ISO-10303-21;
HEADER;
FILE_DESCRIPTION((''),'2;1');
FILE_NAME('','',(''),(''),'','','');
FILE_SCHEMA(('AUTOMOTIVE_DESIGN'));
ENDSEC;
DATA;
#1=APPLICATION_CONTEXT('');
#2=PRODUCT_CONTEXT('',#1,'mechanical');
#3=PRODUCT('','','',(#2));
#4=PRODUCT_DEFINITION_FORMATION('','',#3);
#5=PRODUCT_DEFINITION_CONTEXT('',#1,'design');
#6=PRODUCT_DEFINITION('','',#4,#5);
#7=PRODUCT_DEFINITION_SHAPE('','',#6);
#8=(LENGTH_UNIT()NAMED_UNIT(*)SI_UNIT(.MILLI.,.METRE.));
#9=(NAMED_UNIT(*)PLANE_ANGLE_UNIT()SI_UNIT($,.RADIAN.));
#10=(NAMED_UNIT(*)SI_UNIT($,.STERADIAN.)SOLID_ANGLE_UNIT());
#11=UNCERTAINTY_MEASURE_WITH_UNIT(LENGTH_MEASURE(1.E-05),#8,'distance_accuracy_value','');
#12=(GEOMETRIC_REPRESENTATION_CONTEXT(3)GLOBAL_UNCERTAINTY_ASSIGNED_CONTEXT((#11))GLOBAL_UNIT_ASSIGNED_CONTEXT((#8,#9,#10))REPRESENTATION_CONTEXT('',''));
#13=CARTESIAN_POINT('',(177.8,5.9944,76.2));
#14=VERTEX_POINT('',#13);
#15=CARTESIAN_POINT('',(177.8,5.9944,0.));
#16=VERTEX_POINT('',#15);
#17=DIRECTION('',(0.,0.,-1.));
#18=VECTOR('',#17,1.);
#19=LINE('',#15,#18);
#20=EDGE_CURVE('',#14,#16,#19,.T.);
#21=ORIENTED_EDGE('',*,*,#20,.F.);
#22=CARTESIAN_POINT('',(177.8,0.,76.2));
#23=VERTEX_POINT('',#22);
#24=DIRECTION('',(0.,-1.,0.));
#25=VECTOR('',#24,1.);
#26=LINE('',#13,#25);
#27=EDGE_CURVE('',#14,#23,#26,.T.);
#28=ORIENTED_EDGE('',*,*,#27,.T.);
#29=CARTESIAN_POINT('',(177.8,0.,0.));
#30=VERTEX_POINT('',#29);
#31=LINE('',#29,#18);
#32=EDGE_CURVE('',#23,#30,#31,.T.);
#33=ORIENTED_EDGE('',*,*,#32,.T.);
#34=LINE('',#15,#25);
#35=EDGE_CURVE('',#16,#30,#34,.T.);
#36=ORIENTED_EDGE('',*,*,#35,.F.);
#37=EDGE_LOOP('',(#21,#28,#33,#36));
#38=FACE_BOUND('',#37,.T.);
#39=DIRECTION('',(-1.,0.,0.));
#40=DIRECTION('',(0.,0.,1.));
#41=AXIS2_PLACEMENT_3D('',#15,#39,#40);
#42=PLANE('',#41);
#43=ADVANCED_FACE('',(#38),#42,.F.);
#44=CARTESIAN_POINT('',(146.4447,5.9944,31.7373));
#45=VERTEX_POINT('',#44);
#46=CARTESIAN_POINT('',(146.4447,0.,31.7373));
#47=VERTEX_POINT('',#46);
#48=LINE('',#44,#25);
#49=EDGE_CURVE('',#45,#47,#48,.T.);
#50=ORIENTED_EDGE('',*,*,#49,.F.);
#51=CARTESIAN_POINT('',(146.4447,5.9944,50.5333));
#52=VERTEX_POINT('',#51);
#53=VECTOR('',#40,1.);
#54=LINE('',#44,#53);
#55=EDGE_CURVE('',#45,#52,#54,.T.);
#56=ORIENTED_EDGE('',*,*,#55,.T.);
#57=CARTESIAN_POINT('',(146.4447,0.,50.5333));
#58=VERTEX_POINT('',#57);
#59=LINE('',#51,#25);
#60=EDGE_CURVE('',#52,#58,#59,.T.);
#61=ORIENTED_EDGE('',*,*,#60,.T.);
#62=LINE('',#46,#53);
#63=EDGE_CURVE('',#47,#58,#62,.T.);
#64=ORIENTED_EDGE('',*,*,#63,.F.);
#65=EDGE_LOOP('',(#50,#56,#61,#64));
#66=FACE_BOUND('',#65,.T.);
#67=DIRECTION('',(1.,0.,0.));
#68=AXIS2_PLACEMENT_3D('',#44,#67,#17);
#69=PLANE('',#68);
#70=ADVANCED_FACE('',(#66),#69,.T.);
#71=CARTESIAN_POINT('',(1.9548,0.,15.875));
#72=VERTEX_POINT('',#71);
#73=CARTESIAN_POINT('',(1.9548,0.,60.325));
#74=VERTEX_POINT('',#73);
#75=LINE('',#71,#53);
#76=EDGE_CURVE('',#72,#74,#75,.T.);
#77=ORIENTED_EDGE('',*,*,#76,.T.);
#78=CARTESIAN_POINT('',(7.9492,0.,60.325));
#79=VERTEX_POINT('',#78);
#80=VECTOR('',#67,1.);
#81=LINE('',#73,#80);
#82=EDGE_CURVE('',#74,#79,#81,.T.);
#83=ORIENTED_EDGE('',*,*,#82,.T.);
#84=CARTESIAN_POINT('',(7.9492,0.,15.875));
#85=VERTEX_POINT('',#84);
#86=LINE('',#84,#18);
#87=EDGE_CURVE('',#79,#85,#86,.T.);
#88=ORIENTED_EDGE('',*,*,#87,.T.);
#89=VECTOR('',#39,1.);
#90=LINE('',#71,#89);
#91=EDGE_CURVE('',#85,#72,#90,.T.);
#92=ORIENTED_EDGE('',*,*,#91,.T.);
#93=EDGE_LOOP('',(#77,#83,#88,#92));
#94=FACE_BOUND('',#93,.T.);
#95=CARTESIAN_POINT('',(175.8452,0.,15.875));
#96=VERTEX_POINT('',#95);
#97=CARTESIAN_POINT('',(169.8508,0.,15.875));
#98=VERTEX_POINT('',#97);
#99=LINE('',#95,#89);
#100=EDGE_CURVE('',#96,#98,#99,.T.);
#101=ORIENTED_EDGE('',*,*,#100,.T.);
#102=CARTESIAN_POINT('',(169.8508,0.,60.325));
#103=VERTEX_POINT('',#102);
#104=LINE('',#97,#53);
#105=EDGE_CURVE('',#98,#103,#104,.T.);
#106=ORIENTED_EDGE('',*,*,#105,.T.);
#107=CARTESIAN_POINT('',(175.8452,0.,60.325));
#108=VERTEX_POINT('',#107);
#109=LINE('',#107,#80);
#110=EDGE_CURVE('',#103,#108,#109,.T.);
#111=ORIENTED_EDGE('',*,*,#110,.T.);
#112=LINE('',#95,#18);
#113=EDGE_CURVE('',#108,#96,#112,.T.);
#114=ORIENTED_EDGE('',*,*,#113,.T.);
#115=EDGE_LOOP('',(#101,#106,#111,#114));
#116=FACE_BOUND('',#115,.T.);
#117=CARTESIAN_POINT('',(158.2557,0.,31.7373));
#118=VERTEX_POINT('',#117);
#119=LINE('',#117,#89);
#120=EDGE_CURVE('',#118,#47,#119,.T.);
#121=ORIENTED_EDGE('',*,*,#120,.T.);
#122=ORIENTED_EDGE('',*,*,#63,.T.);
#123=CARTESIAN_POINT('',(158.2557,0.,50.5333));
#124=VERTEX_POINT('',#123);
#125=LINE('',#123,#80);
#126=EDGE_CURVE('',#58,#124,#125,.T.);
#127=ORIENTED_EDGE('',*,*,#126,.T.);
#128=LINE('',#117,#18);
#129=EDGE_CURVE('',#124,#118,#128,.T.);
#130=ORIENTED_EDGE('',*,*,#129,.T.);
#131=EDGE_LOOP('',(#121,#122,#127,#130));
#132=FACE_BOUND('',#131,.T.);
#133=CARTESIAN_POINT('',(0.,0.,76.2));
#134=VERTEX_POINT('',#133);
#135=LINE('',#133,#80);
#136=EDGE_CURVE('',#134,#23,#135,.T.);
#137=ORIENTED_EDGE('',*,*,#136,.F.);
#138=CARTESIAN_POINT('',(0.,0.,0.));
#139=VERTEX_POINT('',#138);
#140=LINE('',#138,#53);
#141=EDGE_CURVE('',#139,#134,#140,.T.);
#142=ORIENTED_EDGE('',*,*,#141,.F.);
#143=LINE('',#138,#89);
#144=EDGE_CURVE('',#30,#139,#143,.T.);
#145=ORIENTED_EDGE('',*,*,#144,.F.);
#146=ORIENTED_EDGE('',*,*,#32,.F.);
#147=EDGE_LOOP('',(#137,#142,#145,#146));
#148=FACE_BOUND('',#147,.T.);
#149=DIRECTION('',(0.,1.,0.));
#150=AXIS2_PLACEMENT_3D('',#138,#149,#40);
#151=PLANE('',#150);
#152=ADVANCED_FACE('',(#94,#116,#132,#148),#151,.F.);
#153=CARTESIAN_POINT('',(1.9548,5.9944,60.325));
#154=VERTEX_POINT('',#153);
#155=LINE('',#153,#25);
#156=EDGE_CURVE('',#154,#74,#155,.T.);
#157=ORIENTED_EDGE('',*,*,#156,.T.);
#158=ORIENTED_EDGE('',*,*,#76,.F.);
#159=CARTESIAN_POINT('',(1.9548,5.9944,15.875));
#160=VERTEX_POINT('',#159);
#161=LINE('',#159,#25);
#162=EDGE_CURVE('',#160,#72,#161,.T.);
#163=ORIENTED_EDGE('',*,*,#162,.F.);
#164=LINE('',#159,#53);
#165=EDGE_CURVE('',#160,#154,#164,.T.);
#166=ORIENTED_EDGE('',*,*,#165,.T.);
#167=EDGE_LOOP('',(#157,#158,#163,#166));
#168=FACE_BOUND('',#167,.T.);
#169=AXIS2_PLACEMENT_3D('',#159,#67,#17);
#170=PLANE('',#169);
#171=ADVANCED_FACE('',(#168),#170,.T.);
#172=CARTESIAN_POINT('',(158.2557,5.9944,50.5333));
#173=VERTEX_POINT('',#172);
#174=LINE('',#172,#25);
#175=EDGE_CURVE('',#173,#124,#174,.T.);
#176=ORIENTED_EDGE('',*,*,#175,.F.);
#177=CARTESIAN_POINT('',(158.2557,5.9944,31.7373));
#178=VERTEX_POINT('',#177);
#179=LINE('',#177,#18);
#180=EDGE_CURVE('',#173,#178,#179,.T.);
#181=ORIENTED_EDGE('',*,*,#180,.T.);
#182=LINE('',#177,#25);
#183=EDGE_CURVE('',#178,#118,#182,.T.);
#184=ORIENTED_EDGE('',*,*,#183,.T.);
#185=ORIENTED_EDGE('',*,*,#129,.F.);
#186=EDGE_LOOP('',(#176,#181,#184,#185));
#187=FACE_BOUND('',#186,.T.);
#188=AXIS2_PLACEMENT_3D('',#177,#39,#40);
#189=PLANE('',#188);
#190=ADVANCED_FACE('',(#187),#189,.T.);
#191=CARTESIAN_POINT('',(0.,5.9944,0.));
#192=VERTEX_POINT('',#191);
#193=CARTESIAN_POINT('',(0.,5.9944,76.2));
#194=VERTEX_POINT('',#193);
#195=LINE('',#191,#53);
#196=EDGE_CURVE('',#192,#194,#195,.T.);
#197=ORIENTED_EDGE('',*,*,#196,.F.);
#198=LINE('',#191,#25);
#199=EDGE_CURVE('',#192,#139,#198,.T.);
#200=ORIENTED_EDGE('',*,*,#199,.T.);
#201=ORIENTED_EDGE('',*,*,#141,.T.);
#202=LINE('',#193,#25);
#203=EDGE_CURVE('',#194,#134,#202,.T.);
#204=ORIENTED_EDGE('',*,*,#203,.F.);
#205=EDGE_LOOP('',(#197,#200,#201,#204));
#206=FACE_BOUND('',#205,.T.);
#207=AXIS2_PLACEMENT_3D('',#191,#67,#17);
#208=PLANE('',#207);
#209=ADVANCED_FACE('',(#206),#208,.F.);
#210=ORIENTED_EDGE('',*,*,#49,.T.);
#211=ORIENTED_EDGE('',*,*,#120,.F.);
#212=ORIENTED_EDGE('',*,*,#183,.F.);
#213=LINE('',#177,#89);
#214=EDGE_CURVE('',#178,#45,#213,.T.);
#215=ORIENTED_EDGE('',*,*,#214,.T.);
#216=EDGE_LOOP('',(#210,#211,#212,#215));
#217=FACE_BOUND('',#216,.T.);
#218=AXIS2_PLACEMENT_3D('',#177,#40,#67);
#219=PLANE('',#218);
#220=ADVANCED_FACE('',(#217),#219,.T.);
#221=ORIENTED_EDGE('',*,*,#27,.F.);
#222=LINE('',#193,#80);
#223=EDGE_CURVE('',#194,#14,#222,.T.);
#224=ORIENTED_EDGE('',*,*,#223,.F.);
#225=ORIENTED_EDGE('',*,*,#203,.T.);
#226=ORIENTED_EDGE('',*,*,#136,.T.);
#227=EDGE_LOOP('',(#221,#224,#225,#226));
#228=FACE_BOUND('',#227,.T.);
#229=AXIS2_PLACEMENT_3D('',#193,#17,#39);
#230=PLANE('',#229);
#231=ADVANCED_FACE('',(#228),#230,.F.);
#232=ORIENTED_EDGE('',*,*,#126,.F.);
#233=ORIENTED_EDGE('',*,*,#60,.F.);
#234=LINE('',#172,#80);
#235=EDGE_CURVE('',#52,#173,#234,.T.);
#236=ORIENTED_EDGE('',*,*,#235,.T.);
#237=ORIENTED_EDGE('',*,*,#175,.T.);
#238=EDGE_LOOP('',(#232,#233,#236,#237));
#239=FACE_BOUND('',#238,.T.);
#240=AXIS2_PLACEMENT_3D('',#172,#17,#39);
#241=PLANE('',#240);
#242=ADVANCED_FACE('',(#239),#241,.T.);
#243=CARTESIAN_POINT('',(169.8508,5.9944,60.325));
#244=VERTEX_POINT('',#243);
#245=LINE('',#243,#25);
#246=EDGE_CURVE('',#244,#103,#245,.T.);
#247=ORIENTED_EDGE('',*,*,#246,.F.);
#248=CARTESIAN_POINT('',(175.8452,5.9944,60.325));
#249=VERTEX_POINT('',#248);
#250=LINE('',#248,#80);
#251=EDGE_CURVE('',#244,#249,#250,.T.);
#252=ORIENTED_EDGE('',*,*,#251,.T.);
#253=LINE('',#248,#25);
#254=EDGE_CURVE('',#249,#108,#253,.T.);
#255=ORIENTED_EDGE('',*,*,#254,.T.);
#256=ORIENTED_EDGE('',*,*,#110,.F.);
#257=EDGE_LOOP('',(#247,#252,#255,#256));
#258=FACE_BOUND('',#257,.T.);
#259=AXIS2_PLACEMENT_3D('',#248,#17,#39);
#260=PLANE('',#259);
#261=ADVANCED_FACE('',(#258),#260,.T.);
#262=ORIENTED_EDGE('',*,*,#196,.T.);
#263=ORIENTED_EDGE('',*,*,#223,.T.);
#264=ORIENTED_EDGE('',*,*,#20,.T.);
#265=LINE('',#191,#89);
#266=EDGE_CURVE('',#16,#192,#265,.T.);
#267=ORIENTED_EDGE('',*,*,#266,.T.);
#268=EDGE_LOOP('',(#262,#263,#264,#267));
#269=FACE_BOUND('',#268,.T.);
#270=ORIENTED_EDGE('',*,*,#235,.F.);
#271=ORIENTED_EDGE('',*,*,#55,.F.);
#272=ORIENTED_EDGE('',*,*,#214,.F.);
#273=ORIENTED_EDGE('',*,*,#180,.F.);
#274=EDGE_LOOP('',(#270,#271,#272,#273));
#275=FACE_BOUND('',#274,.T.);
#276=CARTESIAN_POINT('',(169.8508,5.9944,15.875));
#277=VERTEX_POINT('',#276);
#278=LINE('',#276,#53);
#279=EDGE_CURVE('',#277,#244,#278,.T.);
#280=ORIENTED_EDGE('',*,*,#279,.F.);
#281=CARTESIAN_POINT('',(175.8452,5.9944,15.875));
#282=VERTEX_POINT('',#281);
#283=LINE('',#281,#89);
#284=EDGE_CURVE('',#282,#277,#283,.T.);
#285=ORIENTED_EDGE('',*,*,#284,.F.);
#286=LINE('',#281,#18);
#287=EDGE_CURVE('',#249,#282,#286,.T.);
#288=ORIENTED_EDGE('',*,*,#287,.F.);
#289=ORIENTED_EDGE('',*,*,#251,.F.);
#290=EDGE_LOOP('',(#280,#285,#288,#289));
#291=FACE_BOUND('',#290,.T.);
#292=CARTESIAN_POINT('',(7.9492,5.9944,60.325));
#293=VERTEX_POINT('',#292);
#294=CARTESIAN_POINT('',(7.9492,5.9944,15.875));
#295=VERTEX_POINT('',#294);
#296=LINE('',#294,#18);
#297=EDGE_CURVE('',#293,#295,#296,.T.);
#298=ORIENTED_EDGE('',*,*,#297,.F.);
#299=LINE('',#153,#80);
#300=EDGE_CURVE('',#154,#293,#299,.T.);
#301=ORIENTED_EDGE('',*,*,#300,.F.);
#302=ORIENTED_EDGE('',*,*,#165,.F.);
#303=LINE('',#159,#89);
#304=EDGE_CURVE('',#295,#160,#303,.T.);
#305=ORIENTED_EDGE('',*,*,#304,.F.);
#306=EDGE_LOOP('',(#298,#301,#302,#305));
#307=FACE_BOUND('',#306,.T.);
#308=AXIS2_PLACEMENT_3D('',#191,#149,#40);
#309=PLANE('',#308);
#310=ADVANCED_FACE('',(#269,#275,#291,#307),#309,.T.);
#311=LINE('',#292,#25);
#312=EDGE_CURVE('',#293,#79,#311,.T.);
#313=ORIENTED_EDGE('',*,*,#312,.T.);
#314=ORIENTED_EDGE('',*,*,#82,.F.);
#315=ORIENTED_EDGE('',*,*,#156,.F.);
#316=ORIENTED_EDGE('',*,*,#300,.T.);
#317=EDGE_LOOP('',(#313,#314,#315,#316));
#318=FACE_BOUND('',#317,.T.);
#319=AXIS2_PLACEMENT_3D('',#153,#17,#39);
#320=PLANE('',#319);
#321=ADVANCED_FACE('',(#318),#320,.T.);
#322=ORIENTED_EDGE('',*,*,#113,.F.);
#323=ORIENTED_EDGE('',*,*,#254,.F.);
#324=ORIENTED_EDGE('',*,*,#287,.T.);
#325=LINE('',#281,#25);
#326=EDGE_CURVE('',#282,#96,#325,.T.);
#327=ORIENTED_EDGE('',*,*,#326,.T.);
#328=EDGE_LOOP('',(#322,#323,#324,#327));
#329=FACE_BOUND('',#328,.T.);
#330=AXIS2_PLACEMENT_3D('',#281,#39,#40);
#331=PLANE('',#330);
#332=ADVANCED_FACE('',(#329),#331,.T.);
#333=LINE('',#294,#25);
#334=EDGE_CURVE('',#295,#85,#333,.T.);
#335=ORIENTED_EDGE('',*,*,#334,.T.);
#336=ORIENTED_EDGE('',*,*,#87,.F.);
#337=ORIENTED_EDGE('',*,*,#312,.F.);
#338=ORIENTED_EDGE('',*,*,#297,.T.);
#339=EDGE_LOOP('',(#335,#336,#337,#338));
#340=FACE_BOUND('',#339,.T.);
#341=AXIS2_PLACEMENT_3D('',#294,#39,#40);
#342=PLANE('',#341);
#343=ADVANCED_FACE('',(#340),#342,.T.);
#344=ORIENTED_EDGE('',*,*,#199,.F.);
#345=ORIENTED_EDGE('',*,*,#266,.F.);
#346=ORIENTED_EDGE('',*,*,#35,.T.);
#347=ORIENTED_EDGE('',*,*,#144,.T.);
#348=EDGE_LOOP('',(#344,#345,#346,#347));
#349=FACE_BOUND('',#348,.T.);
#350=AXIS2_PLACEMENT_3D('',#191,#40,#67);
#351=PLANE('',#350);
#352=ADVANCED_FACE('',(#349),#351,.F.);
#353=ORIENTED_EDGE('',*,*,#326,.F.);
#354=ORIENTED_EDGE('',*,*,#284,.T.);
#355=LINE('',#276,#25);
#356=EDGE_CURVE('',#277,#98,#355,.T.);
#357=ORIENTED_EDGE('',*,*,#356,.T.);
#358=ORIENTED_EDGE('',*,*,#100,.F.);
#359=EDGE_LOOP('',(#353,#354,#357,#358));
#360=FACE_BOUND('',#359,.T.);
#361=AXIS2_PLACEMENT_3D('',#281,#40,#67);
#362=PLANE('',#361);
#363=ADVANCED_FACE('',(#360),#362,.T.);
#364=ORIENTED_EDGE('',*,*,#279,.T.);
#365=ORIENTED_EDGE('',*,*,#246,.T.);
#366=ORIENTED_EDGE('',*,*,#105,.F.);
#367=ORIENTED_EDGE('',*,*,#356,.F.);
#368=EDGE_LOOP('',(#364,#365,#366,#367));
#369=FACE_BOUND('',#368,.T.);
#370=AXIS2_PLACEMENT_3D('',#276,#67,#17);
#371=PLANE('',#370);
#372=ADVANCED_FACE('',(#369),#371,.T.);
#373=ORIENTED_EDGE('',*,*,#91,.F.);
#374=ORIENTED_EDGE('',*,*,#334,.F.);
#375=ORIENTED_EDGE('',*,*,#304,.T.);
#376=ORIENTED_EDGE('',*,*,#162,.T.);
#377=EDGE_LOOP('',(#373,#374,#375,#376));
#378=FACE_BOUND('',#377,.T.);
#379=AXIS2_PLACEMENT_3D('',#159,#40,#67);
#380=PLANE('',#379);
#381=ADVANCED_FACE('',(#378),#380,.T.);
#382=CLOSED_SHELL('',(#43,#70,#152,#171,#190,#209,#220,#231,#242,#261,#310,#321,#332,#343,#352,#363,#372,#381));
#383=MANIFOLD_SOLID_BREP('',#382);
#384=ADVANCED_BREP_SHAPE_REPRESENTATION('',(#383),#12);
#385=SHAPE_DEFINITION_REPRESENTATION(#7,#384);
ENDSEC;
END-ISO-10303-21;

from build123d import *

# Parameters (mm, degrees)
SKETCH1_W           = 177.8
SKETCH1_H           = 76.2
SKETCH1_W_2         = 5.9944
SKETCH1_H_2         = 44.45
SKETCH1_W_3         = 11.811
SKETCH1_H_3         = 18.796
BOSS_EXTRUDE1_DEPTH = 5.9944


with BuildPart() as part:
    # Sketch1 → Boss-Extrude1 (new body)
    with BuildSketch(Plane(origin=(0, 0, 0), x_dir=(1, 0, 0), z_dir=(0, 1, 0))):
        with Locations((88.9, -38.1)):
            Rectangle(SKETCH1_W, SKETCH1_H)
        with Locations((4.952000002, -38.1)):
            Rectangle(SKETCH1_W_2, SKETCH1_H_2, mode=Mode.SUBTRACT)
        with Locations((172.847999998, -38.1)):
            Rectangle(SKETCH1_W_2, SKETCH1_H_2, mode=Mode.SUBTRACT)
        with Locations((152.350199998, -41.1353)):
            Rectangle(SKETCH1_W_3, SKETCH1_H_3, mode=Mode.SUBTRACT)
    extrude(amount=BOSS_EXTRUDE1_DEPTH)


solid = part.part
